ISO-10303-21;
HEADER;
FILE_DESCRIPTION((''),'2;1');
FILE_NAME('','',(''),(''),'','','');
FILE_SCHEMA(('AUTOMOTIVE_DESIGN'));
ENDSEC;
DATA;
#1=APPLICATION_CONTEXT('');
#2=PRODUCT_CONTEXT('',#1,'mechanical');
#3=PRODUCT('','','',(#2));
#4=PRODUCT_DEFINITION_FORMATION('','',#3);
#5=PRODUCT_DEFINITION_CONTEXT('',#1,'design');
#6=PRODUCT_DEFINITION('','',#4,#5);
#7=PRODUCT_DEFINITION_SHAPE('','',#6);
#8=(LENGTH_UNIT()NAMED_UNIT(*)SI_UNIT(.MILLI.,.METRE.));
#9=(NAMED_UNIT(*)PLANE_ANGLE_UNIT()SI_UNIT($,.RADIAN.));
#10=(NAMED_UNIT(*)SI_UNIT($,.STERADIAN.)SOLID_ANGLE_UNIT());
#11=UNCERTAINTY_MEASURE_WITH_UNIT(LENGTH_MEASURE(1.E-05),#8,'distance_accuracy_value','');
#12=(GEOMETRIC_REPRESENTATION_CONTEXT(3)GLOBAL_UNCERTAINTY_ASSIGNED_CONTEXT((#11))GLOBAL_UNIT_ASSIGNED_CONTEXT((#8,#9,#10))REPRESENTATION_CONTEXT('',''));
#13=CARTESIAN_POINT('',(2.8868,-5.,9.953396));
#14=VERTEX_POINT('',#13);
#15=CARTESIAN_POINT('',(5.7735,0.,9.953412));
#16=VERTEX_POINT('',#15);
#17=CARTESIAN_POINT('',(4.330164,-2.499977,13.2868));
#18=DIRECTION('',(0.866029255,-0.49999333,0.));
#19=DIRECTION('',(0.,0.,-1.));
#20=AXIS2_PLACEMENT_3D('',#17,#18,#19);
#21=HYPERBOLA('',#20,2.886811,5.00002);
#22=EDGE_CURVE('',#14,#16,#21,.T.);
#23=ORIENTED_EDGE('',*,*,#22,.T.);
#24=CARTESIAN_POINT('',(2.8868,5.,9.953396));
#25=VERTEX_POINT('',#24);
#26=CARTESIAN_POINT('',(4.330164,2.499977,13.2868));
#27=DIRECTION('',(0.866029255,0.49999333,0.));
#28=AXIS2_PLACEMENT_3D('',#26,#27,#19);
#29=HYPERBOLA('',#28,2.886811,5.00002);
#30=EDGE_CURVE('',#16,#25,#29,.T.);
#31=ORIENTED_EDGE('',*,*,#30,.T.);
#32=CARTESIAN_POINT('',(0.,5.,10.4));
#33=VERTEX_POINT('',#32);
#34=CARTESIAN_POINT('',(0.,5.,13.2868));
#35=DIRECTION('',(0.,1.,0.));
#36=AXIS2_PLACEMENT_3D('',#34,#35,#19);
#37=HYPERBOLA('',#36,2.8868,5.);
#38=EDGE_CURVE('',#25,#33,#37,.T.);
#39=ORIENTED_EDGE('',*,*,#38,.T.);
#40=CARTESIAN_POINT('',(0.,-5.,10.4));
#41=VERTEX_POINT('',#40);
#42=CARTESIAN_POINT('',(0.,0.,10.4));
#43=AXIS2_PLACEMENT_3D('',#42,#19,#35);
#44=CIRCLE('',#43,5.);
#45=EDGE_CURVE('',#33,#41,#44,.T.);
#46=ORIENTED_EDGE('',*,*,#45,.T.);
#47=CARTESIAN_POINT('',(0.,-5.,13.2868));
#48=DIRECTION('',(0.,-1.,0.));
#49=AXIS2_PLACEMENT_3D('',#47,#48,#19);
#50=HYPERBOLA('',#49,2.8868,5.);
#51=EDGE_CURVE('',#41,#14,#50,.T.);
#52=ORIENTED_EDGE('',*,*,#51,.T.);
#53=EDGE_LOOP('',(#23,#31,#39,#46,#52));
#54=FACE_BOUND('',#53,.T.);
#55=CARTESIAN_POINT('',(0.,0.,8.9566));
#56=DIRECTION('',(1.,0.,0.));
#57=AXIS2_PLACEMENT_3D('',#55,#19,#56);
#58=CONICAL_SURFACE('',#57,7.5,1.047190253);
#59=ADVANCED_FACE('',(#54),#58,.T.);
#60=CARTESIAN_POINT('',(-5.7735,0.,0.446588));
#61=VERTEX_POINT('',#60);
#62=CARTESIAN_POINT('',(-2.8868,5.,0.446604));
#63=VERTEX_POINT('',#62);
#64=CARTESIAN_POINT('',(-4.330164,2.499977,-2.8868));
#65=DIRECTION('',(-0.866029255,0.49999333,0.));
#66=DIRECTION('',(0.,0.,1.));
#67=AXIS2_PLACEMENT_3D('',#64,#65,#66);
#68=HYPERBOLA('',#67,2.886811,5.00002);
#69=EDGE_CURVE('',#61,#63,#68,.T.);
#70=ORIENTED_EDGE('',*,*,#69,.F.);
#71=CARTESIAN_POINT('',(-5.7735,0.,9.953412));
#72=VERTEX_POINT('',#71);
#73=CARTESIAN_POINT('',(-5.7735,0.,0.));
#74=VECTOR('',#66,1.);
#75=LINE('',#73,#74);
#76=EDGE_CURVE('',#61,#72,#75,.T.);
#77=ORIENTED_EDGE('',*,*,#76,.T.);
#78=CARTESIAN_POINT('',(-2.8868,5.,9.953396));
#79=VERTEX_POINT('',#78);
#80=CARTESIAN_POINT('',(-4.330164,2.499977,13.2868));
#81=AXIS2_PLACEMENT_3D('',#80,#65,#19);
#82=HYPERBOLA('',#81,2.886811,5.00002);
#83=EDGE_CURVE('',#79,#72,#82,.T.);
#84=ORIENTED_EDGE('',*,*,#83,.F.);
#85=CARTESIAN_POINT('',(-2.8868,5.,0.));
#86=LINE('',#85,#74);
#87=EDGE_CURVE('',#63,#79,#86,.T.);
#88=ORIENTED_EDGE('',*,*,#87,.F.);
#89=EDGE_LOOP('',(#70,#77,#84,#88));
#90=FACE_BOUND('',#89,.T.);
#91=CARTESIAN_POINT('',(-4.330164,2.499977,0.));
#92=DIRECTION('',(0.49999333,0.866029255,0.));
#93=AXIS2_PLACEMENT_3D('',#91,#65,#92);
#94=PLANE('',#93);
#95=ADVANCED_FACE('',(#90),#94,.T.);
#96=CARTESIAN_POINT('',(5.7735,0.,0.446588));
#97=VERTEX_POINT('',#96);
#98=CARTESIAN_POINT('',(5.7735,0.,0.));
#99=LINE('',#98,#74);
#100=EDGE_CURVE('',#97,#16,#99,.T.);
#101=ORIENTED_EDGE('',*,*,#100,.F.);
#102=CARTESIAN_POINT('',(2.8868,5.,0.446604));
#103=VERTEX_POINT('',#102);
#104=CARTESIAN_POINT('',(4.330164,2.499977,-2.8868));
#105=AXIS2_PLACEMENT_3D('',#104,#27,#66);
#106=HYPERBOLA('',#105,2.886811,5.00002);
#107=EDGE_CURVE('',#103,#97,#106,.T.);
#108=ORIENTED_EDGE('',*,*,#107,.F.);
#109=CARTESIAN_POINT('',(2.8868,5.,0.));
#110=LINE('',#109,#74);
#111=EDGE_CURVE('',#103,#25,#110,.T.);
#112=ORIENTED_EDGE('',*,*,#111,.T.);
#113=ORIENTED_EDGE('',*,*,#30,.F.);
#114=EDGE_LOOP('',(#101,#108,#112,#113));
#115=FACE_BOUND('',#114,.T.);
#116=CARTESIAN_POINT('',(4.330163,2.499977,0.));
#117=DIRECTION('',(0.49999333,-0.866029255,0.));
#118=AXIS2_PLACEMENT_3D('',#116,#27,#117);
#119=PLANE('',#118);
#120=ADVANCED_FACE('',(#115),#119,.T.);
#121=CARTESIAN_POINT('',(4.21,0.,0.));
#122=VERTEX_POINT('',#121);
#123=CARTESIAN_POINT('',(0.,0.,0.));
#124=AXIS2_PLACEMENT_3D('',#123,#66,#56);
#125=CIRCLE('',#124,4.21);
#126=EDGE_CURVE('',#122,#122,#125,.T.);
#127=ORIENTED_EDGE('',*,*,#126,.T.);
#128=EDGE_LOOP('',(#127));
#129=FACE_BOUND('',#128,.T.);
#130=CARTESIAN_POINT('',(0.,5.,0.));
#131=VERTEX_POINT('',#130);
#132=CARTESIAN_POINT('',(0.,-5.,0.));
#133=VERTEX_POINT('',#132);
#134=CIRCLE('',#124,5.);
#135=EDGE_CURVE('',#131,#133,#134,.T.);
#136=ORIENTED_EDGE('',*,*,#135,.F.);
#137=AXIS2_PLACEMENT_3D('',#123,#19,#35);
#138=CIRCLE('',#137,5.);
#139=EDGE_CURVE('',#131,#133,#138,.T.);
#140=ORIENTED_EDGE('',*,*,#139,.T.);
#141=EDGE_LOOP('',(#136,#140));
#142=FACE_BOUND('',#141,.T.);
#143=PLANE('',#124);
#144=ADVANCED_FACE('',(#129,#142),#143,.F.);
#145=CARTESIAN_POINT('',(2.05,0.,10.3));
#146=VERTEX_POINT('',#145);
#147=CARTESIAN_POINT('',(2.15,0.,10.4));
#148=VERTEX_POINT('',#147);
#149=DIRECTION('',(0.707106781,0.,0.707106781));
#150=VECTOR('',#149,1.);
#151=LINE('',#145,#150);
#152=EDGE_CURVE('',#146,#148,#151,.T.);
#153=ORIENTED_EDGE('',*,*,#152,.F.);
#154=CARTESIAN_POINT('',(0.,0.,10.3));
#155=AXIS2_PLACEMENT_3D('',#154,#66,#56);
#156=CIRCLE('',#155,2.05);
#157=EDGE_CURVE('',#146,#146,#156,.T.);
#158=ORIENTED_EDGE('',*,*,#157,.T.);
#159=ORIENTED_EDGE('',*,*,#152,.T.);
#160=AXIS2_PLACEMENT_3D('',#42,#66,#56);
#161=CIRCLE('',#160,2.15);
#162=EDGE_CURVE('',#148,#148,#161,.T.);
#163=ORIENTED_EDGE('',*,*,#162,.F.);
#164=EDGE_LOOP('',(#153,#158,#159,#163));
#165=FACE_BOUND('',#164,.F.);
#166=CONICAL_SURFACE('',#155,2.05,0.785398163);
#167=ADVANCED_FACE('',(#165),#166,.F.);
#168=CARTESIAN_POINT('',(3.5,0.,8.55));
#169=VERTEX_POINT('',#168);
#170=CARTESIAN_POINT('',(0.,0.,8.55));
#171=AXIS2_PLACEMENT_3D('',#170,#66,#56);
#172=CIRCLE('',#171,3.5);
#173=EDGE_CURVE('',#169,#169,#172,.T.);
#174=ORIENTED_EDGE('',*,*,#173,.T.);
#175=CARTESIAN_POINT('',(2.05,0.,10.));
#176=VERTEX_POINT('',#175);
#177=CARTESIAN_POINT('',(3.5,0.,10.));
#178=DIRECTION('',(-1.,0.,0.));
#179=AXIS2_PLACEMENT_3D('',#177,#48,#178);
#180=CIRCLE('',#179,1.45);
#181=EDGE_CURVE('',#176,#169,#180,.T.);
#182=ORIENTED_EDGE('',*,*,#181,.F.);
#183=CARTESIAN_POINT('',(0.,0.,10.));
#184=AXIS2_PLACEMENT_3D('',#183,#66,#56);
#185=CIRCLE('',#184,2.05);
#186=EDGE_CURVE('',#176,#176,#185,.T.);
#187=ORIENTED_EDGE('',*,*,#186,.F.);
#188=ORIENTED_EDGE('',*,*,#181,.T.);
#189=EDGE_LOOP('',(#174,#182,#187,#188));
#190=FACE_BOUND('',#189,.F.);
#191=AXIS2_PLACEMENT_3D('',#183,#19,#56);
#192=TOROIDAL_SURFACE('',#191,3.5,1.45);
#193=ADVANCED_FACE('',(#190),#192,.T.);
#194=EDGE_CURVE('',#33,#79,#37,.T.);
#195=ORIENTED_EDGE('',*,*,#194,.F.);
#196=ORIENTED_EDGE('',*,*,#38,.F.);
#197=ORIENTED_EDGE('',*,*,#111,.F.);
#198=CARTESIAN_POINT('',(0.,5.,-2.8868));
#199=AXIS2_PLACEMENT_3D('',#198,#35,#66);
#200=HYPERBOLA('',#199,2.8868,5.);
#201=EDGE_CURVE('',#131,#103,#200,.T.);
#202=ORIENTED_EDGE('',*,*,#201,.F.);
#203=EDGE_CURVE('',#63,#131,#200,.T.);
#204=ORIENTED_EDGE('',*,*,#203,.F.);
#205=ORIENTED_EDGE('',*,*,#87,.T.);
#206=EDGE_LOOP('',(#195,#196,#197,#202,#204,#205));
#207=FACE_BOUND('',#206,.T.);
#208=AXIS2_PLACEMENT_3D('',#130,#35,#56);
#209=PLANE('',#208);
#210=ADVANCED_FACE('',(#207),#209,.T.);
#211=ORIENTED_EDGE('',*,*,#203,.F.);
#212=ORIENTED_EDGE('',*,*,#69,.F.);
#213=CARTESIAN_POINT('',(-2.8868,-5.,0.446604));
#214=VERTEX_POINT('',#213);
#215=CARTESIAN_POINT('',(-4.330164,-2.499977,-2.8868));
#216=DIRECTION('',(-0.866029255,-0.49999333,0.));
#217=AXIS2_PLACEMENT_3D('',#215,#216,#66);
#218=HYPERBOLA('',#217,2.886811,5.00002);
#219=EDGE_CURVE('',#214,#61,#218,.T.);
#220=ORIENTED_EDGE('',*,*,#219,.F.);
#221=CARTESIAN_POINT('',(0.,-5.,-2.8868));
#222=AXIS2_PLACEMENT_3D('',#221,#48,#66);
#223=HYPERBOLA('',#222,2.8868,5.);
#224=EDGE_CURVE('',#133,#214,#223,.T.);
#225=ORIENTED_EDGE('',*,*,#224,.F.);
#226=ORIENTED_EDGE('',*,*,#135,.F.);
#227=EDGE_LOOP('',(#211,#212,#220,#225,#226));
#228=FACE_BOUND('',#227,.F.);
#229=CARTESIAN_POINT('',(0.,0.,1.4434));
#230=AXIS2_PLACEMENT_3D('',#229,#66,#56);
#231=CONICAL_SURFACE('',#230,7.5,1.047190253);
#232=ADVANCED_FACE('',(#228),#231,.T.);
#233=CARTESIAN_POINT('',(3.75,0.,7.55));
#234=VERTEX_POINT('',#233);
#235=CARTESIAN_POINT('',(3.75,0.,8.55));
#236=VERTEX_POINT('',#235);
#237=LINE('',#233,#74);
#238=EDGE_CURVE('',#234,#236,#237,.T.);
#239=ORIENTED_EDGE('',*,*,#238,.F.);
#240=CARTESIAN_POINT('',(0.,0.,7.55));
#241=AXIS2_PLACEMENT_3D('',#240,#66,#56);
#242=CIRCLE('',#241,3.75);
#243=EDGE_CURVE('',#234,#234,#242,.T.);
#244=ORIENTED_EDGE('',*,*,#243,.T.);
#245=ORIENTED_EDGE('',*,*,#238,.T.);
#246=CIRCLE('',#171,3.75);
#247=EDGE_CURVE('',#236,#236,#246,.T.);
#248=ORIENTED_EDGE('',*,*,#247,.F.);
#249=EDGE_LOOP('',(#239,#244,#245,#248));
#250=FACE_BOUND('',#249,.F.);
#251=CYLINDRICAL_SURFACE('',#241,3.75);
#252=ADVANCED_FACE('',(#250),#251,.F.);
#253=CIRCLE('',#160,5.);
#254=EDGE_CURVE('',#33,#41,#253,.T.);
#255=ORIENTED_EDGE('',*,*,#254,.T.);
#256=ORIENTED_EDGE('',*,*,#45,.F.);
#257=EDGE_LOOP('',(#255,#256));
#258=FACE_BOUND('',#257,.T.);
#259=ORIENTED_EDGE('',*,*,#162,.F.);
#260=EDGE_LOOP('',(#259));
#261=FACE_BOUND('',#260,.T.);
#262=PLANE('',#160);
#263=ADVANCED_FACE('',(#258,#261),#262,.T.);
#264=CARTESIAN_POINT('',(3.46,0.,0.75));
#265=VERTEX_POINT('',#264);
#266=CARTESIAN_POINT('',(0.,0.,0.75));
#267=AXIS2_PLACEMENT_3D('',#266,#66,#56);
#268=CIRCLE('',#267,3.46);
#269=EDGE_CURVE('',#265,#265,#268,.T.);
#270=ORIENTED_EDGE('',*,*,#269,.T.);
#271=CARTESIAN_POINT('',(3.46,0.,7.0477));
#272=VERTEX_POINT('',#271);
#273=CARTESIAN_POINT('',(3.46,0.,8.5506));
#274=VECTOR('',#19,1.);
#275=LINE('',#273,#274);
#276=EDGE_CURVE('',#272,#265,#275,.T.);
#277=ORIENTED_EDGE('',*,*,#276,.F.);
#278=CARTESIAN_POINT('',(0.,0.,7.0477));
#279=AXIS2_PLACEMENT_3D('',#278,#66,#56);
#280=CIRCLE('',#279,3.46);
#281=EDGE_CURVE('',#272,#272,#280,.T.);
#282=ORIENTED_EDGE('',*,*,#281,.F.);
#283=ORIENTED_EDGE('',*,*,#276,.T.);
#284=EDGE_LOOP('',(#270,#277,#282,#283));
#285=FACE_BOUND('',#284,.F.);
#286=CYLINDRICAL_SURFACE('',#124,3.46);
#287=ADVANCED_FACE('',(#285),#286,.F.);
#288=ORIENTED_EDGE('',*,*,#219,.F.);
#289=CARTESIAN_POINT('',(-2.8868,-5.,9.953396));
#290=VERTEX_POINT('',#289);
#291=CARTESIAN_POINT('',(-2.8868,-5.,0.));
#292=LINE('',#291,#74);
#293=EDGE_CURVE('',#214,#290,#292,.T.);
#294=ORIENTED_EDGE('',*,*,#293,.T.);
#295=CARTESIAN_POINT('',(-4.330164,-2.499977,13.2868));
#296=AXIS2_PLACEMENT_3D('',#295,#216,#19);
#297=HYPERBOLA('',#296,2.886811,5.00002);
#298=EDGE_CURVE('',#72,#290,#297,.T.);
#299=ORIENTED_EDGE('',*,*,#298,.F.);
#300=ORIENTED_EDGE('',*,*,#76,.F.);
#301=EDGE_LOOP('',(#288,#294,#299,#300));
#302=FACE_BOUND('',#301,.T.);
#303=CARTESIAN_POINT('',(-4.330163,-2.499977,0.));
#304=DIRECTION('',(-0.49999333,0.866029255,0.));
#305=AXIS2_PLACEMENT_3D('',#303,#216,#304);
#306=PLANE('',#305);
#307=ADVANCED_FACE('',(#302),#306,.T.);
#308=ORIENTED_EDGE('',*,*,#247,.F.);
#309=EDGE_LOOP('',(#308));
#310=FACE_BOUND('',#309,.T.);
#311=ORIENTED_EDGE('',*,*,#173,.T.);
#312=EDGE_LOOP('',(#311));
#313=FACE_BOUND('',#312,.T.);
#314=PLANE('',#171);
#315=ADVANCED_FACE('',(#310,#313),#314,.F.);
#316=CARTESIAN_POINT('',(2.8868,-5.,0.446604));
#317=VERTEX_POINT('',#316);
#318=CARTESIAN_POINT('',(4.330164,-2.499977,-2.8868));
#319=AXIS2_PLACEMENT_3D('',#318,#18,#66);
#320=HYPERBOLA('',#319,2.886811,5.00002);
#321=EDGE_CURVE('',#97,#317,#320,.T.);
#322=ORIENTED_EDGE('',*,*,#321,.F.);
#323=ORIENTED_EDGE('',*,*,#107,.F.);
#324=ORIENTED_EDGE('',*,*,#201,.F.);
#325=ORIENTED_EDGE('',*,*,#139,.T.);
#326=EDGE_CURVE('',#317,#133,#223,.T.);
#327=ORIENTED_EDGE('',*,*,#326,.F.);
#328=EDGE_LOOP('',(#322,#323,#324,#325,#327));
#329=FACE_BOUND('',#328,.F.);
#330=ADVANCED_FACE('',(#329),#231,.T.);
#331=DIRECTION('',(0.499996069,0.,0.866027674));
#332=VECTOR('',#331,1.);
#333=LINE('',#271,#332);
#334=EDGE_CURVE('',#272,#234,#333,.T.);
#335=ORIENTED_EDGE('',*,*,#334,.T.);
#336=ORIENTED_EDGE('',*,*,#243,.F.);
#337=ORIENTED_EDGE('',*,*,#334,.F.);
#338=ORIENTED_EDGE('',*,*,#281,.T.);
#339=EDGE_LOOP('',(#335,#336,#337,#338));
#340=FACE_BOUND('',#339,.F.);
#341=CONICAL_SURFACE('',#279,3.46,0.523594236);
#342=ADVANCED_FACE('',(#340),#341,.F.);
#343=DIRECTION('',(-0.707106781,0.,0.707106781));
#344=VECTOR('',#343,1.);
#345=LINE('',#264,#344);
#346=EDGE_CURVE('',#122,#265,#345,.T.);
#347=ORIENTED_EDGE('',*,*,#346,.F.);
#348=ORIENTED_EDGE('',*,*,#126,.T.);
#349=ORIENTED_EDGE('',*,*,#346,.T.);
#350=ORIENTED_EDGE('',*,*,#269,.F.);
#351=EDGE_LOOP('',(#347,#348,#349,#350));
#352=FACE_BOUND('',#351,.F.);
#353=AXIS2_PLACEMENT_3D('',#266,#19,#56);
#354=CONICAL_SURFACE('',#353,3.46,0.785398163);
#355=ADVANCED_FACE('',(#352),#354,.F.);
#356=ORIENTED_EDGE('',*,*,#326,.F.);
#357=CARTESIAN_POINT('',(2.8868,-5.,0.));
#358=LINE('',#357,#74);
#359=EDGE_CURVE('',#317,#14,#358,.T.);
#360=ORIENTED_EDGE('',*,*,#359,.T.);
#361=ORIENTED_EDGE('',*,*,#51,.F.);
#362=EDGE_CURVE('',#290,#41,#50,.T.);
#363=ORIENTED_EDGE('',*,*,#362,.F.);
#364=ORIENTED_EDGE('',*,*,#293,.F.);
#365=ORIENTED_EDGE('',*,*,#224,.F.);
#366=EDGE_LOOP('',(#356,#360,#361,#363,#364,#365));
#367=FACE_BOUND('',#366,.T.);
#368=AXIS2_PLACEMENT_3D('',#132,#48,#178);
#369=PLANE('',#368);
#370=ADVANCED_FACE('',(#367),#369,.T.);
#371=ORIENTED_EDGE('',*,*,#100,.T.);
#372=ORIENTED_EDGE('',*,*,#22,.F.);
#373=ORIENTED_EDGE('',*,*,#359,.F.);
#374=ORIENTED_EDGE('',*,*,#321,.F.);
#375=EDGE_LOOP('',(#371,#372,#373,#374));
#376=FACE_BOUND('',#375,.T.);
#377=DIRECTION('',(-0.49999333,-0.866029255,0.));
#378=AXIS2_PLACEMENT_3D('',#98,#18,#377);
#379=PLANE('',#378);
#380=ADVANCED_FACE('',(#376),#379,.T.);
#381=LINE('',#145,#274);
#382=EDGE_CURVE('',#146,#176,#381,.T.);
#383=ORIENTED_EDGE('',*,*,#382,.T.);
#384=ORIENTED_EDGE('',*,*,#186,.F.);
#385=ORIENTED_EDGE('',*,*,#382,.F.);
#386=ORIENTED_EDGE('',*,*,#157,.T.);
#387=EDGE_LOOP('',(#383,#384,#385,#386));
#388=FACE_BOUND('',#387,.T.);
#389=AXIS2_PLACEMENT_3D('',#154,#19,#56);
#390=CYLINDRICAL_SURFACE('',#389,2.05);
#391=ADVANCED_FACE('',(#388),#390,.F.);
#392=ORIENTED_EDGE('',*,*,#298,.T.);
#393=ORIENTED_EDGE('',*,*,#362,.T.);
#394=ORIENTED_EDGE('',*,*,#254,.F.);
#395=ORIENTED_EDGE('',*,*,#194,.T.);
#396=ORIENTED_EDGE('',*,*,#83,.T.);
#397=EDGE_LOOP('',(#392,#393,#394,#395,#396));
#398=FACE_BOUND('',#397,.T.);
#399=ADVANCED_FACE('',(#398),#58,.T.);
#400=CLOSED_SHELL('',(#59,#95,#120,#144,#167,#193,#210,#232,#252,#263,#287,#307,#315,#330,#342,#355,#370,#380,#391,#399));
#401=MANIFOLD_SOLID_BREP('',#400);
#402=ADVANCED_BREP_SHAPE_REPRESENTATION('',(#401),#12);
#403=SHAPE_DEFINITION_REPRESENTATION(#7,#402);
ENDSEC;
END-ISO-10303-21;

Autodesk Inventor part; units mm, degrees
ref_plane "YZ Plane" through (0, 0, 0) normal (1, 0, 0) x (0, 1, 0)
ref_plane "XZ Plane" through (0, 0, 0) normal (0, 1, 0) x (-1, 0, 0)
ref_plane "XY Plane" through (0, 0, 0) normal (0, 0, 1) x (1, 0, 0)
sketch "Náčrt1" plane through (0, 0, 0) normal (0, 1, 0) x (-1, 0, 0)
  line L0 (1.5, 0) -> (-9, 0) projected
  line L1 (0, -2.08) -> (0, 12.48) projected
  line L2 (-2.05, 10.3) -> (-2.05, 10)
  line L3 (-2.05, 10.3) -> (-2.15, 10.4)
  line L4 (-2.15, 10.4) -> (-5, 10.4)
  line L5 (-5, 10.4) -> (-5, 0)
  line L6 (-5, 0) -> (-3.46, 0)
  arc A0 (-3.5, 8.55) -> (-2.05, 10) centre (-3.5, 10) ccw
  line L7 (-3.46, 0) -> (-3.46, 7.0477)
  line L8 (-3.46, 7.0477) -> (-3.75, 7.55)
  line L9 (-3.75, 7.55) -> (-3.75, 8.55)
  line L10 (-3.5, 8.55) -> (-3.75, 8.55)
  line L11 (-5, 10.4) -> (-7.5, 10.4)
  line L12 (-7.5, 10.4) -> (-7.5, 8.9566)
  line L13 (-7.5, 8.9566) -> (-5, 10.4)
  line L14 (-5, 0) -> (-7.5, 0)
  line L15 (-7.5, 0) -> (-7.5, 1.4434)
  line L16 (-7.5, 1.4434) -> (-5, 0)
  line L17 (-3.46, 7.0477) -> (-3.46, 8.5506)
  point P0 (0, 0)
  dimension "d0" = 4.1
  dimension "d1" = 1.45
  dimension "d3" = 6.92
  dimension "d5" = 10
  dimension "d6" = 7.5
  dimension "d7" = 30
  dimension "d8" = 1
  dimension "d9" = 0.1
  dimension "d10" = 45
  dimension "d11" = 0.4
  dimension "d12" = 10.4
  dimension "d13" = 30
  dimension "d14" = 15
revolve "Rotace1" add sketch "Náčrt1" angle 360 about axis through (0, 0, -10) along (0, 0, 1) contours L0 L5 L4 L3 L2 A0 L10 L9 L8 L7 | L8 L9 L10 A0 L17
thread "Závit1" size "M8x1" class "6H" standard "ANSI Metric M Profile" length 7.55
sketch "Náčrt2" plane through (0, 0, 0) normal (0, 0, 1) x (1, 0, 0)
  circle A0 centre (0, 0) radius 5 projected
  circle A1 centre (0, 0) radius 5 projected
  line L0 (-5.7735, 0) -> (-2.8868, 5)
  line L1 (-2.8868, 5) -> (2.8868, 5)
  line L2 (2.8868, 5) -> (5.7735, 0)
  line L3 (5.7735, 0) -> (2.8868, -5)
  line L4 (2.8868, -5) -> (-2.8868, -5)
  line L5 (-2.8868, -5) -> (-5.7735, 0)
  dimension "d16" = 10
extrude "Vysunutí1" add sketch "Náčrt2" along normal blind 10.4 contours A0 L2 L3 | A0 L1 L2 | L3 L4 A0 | A0 L0 L1 | L4 L5 A0 | A0 L5 L0
revolve "Rotace2" cut sketch "Náčrt1" angle 360 about axis through (0, 0, -10) along (0, 0, 1) contours L0 L15 L16 | L13 L12 L11
revolve "Rotace3" cut sketch "Náčrt1" angle 360 about axis through (0, 0, -10) along (0, 0, 1) contours L8 L9 L10 A0 L17
chamfer "Zkosení1" distance 0.75 angle 45 1 edges at (-3.46, 0, 0)
equation "\"d17\" = d12"
